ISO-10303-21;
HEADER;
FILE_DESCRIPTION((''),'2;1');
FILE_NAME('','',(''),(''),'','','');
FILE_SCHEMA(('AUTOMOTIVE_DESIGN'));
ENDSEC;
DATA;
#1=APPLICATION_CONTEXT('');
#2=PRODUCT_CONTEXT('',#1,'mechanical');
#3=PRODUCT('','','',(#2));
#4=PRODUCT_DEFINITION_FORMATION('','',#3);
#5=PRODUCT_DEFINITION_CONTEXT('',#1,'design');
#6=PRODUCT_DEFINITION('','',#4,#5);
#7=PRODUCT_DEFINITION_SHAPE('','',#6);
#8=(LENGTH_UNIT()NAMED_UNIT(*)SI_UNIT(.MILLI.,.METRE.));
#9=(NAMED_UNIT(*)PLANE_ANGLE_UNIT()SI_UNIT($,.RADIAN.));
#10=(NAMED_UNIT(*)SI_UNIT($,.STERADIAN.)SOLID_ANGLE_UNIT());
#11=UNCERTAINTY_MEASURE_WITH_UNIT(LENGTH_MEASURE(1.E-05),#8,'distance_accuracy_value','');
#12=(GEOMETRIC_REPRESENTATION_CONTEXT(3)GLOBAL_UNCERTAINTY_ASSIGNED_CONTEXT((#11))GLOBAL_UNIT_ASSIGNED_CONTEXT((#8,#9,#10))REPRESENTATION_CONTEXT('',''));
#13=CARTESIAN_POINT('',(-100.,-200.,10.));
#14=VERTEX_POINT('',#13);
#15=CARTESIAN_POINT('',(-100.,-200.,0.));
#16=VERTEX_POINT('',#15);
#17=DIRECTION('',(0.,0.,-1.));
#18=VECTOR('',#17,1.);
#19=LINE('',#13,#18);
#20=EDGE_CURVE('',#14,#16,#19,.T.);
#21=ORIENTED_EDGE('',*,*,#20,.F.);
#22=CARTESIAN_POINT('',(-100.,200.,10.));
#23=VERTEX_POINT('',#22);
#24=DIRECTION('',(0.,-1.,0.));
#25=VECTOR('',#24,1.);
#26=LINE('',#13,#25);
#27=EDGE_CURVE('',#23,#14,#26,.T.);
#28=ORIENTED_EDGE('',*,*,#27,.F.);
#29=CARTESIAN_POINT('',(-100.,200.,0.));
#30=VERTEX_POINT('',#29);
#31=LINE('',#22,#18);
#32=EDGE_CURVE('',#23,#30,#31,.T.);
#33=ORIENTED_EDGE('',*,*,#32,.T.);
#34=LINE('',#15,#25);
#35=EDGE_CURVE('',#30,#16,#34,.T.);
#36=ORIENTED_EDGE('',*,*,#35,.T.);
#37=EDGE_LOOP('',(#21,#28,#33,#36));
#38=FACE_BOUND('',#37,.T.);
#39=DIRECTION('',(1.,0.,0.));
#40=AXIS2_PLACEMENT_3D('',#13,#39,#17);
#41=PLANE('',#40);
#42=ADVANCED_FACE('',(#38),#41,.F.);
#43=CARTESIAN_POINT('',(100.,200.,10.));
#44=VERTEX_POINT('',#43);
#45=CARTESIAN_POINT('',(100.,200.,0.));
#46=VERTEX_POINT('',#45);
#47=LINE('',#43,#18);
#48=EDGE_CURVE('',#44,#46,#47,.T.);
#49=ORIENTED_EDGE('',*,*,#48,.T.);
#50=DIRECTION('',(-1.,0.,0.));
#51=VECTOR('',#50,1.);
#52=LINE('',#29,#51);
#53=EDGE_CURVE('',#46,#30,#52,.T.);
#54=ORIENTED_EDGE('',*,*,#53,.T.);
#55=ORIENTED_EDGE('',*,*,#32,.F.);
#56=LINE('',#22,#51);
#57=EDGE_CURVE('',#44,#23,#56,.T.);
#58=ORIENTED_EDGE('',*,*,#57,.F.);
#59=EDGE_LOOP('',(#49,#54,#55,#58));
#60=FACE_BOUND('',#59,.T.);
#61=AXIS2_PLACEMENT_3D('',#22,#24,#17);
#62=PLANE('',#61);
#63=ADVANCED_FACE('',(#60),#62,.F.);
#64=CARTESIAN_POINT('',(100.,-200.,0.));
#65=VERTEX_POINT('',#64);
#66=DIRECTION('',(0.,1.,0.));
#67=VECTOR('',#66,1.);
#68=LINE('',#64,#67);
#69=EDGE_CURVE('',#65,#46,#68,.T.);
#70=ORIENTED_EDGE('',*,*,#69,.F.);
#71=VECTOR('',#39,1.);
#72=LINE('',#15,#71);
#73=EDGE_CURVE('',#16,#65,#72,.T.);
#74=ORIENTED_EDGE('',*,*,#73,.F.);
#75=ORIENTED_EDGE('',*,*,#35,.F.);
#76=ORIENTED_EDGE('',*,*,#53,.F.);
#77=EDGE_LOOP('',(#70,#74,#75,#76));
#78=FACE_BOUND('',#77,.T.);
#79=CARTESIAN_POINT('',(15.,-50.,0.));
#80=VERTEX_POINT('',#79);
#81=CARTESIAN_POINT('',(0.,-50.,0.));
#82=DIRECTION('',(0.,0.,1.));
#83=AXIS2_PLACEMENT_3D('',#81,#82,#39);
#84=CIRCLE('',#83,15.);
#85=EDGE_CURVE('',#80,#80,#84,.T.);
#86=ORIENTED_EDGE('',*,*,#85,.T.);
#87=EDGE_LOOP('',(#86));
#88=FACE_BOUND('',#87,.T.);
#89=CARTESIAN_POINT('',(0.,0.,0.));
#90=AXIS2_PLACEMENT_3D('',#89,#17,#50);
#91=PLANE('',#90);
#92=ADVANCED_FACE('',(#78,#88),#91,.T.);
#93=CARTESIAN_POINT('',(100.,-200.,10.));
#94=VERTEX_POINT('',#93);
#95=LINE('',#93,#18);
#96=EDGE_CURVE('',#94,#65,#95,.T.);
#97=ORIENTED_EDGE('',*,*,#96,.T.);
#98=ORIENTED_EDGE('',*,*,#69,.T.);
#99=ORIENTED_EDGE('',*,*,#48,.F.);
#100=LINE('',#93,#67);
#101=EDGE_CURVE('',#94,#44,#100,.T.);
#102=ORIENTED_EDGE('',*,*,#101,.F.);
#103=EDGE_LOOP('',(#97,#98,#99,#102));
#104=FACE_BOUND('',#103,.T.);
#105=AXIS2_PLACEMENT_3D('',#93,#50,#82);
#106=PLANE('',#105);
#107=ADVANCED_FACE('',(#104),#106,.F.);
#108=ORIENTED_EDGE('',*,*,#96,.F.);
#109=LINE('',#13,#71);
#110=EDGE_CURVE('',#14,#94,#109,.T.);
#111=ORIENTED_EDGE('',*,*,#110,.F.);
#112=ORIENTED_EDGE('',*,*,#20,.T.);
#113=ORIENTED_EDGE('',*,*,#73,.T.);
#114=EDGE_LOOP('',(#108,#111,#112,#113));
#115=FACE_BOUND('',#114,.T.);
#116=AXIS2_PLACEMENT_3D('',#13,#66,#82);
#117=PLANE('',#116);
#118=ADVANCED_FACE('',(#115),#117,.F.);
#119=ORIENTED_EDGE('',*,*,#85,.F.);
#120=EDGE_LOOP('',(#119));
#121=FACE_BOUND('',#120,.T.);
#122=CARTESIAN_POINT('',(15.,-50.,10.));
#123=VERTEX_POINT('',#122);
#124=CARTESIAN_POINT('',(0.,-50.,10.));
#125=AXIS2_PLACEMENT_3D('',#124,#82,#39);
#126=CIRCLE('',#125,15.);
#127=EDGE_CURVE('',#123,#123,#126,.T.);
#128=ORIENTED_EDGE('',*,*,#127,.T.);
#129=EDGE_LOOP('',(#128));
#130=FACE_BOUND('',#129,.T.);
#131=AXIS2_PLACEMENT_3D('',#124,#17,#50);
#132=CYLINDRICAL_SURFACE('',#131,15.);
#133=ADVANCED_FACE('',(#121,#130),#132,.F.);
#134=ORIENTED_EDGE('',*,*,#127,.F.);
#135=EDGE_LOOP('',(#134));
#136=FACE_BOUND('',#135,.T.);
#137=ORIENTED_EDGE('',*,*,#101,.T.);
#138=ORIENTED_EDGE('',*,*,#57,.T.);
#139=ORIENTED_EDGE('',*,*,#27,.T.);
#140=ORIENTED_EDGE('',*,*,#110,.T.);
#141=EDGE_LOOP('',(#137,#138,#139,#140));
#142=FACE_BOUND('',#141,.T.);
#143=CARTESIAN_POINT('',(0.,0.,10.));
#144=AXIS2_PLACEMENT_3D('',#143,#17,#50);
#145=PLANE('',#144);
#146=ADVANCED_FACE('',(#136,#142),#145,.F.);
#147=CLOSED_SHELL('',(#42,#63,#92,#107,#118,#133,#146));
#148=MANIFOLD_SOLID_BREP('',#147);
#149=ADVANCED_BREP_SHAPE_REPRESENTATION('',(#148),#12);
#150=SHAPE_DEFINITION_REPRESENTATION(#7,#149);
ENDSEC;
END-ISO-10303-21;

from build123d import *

# Parameters (mm, degrees)
CROQUIS1_W              = 200
CROQUIS1_H              = 400
CROQUIS1_R              = 15
SALIENTE_EXTRUIR1_DEPTH = 10


with BuildPart() as part:
    # Croquis1 → Saliente-Extruir1 (new body)
    with BuildSketch(Plane.XY):
        Rectangle(CROQUIS1_W, CROQUIS1_H)
        with Locations((0, -50)):
            Circle(CROQUIS1_R, mode=Mode.SUBTRACT)
    extrude(amount=SALIENTE_EXTRUIR1_DEPTH)


solid = part.part
